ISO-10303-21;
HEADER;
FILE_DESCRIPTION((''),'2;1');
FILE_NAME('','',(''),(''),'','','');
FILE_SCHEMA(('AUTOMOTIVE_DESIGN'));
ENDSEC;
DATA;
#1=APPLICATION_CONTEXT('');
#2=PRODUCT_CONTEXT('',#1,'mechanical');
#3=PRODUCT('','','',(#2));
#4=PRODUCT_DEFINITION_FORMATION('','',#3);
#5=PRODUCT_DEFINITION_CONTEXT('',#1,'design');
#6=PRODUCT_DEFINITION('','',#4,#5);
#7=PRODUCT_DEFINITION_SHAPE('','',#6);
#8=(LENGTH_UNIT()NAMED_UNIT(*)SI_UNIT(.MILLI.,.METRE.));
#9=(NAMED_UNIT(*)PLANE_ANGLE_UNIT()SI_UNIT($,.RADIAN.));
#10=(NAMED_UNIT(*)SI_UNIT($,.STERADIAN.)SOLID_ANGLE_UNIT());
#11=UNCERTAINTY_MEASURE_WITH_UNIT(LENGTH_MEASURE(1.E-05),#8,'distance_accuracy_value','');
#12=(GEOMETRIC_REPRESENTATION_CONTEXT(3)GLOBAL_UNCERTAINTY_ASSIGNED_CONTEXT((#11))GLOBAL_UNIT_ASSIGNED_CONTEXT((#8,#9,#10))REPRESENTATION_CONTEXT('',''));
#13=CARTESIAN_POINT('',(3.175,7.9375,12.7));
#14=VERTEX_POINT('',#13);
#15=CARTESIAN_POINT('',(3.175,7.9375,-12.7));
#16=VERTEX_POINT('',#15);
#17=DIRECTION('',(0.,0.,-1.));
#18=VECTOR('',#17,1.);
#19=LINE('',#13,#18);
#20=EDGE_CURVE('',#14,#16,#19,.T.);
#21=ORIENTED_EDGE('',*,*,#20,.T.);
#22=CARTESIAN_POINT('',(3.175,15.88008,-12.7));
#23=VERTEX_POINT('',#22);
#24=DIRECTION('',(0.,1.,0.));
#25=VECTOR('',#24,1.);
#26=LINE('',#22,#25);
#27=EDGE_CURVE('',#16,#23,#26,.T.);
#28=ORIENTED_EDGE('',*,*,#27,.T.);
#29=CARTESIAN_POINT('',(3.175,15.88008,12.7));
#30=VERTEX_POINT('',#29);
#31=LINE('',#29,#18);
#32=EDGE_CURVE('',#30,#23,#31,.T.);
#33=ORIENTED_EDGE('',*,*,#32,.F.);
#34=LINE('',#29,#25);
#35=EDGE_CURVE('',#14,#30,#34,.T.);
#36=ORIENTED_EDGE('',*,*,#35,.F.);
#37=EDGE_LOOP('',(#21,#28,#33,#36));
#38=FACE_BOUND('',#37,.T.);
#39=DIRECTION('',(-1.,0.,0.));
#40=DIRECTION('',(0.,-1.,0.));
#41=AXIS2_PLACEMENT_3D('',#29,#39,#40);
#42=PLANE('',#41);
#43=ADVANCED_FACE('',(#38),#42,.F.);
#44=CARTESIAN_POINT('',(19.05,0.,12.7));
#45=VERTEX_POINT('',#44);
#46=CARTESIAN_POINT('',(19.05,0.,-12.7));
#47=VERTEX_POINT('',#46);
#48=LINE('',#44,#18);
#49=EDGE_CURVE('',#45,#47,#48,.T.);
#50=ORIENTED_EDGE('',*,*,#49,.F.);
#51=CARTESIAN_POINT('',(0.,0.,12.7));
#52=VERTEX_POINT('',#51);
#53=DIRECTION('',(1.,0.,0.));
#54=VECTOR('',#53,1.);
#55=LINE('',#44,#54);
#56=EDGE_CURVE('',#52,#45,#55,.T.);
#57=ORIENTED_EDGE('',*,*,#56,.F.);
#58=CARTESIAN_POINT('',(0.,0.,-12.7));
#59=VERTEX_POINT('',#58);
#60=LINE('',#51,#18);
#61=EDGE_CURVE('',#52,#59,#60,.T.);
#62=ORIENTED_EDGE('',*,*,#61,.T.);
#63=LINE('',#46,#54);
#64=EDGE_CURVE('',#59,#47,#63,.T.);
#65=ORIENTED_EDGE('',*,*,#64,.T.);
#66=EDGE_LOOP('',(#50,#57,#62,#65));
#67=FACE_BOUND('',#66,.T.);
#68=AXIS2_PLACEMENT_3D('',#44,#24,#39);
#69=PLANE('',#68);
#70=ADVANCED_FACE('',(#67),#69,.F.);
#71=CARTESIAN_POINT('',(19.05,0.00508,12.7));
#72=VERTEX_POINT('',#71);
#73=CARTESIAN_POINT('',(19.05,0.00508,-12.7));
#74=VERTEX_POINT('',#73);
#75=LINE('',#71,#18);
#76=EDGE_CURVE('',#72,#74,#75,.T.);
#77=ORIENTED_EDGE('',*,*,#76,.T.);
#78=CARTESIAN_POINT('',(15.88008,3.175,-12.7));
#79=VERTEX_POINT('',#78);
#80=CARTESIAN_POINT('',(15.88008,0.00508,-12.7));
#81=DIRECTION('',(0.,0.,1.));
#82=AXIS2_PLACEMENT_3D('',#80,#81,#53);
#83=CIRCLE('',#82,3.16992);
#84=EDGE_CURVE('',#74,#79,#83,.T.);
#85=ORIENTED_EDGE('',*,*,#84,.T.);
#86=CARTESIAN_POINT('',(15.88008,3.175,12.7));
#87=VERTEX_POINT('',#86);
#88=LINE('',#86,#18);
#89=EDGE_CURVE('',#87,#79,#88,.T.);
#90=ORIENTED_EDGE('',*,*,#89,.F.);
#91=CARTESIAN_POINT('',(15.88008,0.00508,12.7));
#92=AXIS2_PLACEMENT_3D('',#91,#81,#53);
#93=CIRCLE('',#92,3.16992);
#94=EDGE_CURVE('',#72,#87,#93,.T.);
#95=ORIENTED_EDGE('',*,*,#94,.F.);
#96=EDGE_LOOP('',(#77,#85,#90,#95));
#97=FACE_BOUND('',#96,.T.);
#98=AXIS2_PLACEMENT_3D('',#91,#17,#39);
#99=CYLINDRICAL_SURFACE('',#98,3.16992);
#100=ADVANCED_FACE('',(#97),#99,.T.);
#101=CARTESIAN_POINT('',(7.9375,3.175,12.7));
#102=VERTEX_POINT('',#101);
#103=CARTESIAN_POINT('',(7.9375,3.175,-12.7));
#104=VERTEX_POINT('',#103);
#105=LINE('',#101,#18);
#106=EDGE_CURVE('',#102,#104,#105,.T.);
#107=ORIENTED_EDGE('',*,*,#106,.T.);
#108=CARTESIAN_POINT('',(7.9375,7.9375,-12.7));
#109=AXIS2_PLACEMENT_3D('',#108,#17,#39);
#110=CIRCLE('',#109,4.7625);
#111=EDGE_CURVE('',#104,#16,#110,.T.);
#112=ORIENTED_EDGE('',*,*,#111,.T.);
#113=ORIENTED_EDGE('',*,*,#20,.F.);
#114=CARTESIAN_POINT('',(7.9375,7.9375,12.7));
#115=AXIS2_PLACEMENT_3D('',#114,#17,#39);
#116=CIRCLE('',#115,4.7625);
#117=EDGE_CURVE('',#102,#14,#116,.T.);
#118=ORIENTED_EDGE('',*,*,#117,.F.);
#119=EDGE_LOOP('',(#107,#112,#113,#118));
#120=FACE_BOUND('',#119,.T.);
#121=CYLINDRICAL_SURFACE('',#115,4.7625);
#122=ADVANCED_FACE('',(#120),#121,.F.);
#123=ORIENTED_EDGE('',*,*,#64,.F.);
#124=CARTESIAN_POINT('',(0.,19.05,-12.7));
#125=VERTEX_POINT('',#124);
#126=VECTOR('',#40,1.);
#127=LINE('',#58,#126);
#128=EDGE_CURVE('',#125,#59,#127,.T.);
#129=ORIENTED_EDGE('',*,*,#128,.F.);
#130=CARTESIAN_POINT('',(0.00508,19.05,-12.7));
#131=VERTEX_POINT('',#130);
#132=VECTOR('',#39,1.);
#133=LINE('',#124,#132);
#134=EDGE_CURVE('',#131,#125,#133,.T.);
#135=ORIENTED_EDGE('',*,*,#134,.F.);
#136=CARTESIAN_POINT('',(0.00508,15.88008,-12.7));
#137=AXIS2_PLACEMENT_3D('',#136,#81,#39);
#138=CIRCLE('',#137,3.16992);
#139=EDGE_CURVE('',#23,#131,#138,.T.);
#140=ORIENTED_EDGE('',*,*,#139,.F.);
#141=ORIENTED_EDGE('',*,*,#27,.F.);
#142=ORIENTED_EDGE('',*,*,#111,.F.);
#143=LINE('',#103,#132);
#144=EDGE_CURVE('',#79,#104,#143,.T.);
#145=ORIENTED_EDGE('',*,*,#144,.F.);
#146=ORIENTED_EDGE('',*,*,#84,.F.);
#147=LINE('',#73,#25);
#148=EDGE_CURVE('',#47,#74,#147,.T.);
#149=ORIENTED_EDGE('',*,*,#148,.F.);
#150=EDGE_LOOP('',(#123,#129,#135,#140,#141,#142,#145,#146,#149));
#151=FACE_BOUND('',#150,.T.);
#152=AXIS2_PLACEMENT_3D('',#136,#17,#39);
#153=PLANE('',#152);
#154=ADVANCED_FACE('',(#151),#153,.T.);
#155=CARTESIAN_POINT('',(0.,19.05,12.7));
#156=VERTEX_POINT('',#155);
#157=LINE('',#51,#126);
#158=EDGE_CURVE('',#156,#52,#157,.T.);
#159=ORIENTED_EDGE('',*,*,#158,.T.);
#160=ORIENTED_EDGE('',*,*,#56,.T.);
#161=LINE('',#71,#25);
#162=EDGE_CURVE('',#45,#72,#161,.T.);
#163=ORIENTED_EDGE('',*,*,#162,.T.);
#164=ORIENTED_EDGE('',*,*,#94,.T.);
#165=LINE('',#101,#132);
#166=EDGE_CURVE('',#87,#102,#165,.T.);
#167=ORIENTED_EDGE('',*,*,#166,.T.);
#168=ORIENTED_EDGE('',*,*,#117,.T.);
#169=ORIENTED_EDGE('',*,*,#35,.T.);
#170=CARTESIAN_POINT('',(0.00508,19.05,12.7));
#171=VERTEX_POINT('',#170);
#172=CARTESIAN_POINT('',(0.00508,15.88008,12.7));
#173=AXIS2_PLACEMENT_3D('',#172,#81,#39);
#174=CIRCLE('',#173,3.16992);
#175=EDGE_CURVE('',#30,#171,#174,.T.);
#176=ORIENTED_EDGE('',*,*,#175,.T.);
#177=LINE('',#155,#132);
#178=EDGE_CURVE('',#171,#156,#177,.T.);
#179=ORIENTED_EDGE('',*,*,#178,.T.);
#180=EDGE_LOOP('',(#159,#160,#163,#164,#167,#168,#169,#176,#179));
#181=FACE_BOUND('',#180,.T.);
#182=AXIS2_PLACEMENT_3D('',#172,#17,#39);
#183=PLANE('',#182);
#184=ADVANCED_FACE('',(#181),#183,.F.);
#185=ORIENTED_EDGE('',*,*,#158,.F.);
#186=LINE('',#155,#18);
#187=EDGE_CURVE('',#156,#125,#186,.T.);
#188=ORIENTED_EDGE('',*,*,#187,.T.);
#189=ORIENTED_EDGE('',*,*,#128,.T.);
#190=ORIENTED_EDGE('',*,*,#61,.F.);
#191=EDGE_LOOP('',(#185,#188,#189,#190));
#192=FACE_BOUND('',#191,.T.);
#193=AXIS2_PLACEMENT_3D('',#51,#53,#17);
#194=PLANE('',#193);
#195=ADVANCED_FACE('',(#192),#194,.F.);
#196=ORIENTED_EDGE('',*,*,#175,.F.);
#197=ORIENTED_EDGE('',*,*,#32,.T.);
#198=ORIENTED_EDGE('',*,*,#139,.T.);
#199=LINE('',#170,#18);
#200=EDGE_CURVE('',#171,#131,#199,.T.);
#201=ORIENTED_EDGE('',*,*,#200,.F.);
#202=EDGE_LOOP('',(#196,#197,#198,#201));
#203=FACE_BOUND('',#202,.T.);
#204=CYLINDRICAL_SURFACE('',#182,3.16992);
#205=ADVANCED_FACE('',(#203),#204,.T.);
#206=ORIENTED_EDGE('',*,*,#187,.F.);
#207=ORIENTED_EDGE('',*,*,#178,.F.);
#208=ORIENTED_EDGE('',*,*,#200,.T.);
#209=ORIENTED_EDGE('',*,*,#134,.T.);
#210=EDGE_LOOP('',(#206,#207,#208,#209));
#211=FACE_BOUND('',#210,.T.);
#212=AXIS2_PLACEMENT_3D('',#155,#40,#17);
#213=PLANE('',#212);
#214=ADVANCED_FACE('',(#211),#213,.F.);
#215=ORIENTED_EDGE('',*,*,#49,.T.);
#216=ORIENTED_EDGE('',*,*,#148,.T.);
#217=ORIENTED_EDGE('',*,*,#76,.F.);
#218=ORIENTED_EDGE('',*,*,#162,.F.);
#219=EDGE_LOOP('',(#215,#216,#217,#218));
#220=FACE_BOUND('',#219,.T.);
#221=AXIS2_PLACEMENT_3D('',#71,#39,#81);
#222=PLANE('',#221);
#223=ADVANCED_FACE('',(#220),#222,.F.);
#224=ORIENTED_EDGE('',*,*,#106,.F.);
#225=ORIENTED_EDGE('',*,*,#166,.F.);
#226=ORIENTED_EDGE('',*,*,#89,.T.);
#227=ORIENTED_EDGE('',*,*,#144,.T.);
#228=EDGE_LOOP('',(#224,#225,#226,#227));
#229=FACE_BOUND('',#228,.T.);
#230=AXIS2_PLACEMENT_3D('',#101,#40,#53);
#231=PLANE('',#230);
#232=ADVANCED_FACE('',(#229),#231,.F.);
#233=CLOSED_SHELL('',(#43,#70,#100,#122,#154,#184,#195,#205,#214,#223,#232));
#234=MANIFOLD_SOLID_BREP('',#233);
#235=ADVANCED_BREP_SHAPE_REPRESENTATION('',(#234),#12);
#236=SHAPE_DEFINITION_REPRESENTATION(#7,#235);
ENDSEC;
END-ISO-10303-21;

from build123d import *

# Parameters (mm, degrees)
BASESTEELANGLE_DEPTH = 12.7


with BuildPart() as part:
    # Sketch1 → BaseSteelAngle (new body, symmetric)
    with BuildSketch(Plane.XY):
        with BuildLine():
            Line((0, 0), (0, 19.05))
            Line((0, 19.05), (0.00508, 19.05))
            ThreePointArc((0.00508, 19.05), (2.246551928, 18.121551928), (3.175, 15.88008))
            Line((3.175, 15.88008), (3.175, 7.9375))
            ThreePointArc((3.175, 7.9375), (4.569903955, 4.569903955), (7.9375, 3.175))
            Line((7.9375, 3.175), (15.88008, 3.175))
            ThreePointArc((15.88008, 3.175), (18.121551928, 2.246551928), (19.05, 0.00508))
            Line((19.05, 0.00508), (19.05, 0))
            Line((19.05, 0), (0, 0))
        make_face()
    extrude(amount=BASESTEELANGLE_DEPTH, both=True)


solid = part.part
